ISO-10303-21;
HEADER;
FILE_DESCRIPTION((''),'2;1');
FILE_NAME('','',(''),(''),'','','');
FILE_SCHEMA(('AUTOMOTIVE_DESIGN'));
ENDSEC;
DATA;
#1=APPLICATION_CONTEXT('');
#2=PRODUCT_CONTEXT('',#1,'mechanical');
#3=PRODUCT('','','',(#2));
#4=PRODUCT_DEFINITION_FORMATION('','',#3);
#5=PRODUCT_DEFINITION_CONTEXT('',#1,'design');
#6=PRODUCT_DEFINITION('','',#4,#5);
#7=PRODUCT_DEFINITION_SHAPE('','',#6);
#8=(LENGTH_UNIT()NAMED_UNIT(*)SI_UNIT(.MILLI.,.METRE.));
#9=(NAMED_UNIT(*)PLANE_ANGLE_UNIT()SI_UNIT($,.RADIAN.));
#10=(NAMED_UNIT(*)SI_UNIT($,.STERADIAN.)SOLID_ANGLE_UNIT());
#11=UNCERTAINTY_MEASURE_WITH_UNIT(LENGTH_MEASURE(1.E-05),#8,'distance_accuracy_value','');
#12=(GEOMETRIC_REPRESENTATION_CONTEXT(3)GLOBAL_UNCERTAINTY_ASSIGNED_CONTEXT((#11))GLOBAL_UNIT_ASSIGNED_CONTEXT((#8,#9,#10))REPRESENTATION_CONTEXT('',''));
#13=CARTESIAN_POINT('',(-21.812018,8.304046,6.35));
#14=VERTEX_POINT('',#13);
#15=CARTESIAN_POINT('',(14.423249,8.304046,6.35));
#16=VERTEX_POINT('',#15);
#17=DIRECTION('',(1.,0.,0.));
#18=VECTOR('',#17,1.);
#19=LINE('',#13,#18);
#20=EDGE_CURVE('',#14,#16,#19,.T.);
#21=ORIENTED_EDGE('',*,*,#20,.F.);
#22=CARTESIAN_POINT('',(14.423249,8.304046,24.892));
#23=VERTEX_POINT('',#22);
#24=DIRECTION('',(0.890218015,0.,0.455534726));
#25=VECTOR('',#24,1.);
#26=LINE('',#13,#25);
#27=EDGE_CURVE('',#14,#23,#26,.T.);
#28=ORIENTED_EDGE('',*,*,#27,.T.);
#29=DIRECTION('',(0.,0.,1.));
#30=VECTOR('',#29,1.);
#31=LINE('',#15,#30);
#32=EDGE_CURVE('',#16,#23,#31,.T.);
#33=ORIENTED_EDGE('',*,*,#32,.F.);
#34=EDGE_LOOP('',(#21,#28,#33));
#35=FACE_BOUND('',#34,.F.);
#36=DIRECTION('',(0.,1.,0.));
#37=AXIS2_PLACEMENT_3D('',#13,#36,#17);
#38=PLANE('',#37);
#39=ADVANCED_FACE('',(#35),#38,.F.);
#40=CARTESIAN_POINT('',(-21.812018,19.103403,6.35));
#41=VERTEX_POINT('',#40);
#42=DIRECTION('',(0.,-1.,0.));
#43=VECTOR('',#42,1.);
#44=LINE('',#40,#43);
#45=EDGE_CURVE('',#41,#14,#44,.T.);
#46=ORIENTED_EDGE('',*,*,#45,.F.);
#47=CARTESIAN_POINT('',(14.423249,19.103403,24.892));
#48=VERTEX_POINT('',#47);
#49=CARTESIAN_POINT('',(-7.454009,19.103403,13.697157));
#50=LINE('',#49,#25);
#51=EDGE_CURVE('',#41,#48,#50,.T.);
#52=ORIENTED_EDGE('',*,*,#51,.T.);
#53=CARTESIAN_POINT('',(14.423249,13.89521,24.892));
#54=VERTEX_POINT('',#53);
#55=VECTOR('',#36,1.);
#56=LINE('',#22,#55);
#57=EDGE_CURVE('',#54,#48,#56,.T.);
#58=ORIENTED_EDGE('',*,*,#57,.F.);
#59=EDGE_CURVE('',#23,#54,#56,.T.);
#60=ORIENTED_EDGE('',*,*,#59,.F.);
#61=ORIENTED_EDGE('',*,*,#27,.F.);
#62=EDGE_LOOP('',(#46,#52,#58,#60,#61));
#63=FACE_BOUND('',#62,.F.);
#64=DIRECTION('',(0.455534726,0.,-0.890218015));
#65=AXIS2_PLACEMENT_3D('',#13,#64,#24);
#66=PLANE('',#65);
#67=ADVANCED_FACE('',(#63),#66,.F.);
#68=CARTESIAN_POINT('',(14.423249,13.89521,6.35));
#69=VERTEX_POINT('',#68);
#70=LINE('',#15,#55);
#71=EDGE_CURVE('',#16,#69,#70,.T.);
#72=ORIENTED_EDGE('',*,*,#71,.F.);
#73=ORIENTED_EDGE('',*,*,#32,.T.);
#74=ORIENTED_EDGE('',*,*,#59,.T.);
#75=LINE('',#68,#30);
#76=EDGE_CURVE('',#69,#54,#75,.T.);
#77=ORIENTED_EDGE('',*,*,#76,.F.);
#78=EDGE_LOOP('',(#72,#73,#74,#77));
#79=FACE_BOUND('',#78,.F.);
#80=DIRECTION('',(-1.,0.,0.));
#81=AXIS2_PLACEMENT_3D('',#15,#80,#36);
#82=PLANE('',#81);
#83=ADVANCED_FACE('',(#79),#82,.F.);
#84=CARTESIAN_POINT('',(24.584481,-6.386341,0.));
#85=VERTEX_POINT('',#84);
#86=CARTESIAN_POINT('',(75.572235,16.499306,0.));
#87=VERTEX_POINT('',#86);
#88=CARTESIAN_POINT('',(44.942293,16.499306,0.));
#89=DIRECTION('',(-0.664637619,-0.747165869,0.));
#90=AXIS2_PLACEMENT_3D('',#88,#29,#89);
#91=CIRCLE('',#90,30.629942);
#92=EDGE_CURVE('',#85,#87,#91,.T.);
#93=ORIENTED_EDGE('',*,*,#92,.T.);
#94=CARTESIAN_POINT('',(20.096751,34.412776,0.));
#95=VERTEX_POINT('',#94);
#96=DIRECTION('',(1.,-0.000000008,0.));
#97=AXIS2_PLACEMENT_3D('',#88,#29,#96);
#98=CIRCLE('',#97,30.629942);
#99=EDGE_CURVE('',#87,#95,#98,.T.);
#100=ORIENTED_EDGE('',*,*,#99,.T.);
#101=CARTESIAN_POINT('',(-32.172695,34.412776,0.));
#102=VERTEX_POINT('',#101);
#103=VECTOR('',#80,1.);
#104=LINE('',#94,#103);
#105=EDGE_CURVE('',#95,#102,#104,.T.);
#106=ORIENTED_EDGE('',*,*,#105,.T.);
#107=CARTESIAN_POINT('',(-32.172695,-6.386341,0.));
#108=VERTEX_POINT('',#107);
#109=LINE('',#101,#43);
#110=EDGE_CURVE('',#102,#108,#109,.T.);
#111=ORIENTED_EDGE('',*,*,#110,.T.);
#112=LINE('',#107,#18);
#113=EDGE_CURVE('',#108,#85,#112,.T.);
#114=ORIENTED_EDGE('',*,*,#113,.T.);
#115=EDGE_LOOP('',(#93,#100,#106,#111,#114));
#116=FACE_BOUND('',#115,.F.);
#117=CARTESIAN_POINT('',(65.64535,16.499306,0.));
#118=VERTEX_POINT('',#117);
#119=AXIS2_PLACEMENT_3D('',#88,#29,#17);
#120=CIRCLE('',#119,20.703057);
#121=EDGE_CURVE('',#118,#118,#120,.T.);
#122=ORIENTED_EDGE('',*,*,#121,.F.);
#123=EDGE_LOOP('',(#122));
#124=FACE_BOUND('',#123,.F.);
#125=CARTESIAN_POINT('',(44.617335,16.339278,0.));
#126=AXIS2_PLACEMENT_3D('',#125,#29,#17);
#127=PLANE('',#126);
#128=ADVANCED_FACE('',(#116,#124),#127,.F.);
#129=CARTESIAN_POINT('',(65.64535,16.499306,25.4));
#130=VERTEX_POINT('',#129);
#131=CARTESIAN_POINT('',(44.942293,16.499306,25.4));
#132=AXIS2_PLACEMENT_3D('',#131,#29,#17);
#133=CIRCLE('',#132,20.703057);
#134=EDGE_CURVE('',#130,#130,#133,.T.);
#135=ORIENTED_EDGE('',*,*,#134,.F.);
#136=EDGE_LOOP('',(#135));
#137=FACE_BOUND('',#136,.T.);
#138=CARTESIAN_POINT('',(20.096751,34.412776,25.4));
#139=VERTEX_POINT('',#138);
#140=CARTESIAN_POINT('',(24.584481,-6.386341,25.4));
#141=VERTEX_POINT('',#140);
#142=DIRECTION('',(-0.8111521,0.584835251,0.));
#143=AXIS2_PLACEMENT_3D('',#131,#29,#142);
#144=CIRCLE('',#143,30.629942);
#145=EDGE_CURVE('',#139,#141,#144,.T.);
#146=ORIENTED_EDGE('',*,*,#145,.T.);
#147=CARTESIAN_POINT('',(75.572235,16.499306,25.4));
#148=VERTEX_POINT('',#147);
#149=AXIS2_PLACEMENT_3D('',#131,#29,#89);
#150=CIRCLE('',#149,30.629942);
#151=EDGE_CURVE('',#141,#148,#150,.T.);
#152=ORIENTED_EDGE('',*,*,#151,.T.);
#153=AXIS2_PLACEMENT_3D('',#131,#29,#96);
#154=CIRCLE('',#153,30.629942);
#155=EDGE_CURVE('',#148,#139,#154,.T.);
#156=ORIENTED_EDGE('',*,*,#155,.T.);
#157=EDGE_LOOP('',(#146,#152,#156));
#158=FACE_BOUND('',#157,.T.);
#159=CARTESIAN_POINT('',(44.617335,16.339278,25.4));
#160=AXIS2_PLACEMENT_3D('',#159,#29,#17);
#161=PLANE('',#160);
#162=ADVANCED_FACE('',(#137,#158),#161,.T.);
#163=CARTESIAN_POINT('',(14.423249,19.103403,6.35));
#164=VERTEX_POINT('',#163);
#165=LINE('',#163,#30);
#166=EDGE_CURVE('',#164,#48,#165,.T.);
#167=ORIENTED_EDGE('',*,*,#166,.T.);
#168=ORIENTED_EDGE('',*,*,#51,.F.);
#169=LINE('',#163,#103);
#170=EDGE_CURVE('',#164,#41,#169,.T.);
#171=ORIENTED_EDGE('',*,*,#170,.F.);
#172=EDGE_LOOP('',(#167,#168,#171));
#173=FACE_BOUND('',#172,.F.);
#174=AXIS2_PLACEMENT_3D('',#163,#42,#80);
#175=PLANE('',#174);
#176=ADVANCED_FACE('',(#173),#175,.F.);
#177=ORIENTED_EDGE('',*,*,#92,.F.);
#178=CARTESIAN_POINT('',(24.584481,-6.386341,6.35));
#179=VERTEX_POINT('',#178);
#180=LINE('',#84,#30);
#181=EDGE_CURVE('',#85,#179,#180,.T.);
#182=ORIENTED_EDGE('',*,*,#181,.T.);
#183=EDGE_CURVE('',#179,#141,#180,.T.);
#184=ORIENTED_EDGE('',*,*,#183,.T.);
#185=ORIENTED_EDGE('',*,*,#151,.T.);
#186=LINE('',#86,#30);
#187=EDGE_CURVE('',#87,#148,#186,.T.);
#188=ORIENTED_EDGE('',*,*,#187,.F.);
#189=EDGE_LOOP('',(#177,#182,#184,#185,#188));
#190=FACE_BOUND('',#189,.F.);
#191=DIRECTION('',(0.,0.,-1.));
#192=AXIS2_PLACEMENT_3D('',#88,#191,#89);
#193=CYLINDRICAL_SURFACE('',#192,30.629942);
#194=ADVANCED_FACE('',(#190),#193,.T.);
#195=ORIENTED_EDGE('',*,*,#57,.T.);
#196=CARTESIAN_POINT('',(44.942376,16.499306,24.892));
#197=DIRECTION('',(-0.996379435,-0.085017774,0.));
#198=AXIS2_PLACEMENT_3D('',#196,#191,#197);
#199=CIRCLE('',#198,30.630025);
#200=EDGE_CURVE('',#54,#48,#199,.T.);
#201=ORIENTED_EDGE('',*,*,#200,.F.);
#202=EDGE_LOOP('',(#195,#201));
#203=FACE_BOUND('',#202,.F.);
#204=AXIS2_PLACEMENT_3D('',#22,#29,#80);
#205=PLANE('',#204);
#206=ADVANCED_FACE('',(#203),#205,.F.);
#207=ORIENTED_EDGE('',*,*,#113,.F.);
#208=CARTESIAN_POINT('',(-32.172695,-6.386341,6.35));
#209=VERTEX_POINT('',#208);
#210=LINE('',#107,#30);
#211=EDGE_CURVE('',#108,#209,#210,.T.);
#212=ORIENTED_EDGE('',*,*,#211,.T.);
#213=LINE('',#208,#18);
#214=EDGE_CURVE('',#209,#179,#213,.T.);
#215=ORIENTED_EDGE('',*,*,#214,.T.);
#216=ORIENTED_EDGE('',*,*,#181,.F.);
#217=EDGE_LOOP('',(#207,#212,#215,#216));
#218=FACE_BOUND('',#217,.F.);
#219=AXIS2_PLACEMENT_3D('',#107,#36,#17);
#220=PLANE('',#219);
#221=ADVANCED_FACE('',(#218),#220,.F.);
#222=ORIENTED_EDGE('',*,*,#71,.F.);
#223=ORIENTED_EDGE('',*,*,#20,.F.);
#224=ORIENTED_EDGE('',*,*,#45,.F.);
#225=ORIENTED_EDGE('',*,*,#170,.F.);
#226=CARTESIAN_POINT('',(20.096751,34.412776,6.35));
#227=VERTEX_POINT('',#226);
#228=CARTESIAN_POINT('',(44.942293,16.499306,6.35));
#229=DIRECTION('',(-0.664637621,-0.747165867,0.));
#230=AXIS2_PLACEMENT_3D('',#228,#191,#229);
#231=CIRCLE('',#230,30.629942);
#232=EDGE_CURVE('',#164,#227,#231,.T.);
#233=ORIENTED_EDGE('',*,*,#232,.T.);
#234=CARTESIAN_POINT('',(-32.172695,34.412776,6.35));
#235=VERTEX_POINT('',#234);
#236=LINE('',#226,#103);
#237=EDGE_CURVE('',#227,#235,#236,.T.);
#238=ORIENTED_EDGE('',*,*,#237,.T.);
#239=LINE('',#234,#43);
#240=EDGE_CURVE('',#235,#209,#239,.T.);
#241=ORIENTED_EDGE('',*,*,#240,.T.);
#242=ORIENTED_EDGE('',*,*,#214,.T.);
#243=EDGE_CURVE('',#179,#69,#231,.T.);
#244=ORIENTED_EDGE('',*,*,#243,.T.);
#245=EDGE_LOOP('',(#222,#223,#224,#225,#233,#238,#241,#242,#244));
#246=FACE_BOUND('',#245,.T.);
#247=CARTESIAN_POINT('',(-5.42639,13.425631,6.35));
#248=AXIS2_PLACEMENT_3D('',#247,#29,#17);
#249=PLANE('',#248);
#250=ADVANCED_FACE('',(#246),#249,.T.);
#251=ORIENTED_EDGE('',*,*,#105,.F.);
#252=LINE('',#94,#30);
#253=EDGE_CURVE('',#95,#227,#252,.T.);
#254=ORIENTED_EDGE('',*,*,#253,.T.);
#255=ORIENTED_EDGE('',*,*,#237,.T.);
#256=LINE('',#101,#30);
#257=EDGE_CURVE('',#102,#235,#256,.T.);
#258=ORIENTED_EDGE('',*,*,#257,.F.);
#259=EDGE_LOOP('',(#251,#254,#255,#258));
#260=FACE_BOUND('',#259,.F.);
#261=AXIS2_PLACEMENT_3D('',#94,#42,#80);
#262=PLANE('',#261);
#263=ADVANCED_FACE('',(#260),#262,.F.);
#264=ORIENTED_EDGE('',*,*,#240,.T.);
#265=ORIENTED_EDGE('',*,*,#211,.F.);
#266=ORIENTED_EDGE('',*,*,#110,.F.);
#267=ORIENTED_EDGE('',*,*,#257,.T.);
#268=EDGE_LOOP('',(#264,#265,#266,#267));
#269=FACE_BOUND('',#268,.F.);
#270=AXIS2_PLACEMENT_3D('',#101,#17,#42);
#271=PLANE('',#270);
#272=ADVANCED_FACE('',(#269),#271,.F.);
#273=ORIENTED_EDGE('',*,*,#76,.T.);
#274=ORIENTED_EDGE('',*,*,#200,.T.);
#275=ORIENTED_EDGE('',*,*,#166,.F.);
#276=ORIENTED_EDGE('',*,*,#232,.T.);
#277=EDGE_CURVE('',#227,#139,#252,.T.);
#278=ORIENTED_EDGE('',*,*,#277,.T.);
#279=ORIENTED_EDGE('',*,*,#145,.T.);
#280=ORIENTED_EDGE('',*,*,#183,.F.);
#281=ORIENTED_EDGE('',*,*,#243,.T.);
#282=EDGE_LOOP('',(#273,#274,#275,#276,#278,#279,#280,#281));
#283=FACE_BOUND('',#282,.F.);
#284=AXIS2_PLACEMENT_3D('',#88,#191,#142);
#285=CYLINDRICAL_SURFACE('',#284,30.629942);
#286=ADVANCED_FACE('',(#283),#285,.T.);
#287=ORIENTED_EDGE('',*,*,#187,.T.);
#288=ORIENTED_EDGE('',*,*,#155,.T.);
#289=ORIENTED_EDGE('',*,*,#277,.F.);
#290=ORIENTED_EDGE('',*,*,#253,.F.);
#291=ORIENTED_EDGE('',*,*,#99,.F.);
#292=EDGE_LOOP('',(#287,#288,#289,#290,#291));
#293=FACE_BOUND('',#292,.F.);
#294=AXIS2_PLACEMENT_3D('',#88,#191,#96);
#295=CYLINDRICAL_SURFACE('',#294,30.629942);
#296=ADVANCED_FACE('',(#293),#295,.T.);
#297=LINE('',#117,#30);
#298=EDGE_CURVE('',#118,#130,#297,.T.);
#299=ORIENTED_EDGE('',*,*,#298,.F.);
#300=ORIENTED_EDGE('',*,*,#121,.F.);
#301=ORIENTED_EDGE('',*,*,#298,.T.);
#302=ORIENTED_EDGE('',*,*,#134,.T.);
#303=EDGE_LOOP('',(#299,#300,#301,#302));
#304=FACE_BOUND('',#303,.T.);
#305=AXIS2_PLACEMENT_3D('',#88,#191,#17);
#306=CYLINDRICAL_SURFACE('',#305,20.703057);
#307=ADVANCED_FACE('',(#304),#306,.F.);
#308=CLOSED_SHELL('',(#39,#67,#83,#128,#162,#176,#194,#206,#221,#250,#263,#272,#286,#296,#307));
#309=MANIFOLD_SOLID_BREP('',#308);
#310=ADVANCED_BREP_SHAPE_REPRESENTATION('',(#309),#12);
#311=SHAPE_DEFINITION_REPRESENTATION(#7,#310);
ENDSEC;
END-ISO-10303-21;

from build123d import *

# Parameters (mm, degrees)
F1_DEPTH = 6.35
F0_R     = 20.703057
F2_DEPTH = 25.4
F4_DEPTH = 18.542
F6_DEPTH = 25.4


with BuildPart() as f1:
    # F0 (on Top) → F1 (new body)
    with BuildSketch(Plane.XY):
        with BuildLine():
            ThreePointArc((24.584481, -6.386341), (14.495983, 13.150341), (20.096751, 34.412776))
            Line((20.096751, 34.412776), (-32.172695, 34.412776))
            Line((-32.172695, 34.412776), (-32.172695, -6.386341))
            Line((-32.172695, -6.386341), (24.584481, -6.386341))
        make_face()
    extrude(amount=F1_DEPTH)

    # F0 (on Top) → F2 (join)
    with BuildSketch(Plane.XY):
        with BuildLine():
            ThreePointArc((24.584481, -6.386341), (57.484915, -11.444852), (75.572235, 16.499306))
            ThreePointArc((75.572235, 16.499306), (54.354409, 45.647298), (20.096751, 34.412776))
            ThreePointArc((20.096751, 34.412776), (14.495983, 13.150341), (24.584481, -6.386341))
        make_face()
        with Locations((44.942293, 16.499306)):
            Circle(F0_R, mode=Mode.SUBTRACT)
    extrude(amount=F2_DEPTH)

    # F3 (on face) → F4 (join)
    with BuildSketch(Plane.XY.offset(6.35)):
        with BuildLine():
            ThreePointArc((14.423249, 13.89521), (14.312351, 16.499306), (14.423249, 19.103403))
            Line((14.423249, 19.103403), (-21.812018, 19.103403))
            Line((-21.812018, 19.103403), (-21.812018, 8.304046))
            Line((-21.812018, 8.304046), (14.423249, 8.304046))
            Line((14.423249, 8.304046), (14.423249, 13.89521))
        make_face()
    extrude(amount=F4_DEPTH)

    # F5 (on face) → F6 (cut)
    with BuildSketch(Plane.XZ.offset(-8.304046)):
        Polygon((-21.812018, 24.892), (-21.812018, 6.35), (14.423249, 24.892), align=None)
    extrude(amount=-F6_DEPTH, mode=Mode.SUBTRACT)


solid = f1.part
